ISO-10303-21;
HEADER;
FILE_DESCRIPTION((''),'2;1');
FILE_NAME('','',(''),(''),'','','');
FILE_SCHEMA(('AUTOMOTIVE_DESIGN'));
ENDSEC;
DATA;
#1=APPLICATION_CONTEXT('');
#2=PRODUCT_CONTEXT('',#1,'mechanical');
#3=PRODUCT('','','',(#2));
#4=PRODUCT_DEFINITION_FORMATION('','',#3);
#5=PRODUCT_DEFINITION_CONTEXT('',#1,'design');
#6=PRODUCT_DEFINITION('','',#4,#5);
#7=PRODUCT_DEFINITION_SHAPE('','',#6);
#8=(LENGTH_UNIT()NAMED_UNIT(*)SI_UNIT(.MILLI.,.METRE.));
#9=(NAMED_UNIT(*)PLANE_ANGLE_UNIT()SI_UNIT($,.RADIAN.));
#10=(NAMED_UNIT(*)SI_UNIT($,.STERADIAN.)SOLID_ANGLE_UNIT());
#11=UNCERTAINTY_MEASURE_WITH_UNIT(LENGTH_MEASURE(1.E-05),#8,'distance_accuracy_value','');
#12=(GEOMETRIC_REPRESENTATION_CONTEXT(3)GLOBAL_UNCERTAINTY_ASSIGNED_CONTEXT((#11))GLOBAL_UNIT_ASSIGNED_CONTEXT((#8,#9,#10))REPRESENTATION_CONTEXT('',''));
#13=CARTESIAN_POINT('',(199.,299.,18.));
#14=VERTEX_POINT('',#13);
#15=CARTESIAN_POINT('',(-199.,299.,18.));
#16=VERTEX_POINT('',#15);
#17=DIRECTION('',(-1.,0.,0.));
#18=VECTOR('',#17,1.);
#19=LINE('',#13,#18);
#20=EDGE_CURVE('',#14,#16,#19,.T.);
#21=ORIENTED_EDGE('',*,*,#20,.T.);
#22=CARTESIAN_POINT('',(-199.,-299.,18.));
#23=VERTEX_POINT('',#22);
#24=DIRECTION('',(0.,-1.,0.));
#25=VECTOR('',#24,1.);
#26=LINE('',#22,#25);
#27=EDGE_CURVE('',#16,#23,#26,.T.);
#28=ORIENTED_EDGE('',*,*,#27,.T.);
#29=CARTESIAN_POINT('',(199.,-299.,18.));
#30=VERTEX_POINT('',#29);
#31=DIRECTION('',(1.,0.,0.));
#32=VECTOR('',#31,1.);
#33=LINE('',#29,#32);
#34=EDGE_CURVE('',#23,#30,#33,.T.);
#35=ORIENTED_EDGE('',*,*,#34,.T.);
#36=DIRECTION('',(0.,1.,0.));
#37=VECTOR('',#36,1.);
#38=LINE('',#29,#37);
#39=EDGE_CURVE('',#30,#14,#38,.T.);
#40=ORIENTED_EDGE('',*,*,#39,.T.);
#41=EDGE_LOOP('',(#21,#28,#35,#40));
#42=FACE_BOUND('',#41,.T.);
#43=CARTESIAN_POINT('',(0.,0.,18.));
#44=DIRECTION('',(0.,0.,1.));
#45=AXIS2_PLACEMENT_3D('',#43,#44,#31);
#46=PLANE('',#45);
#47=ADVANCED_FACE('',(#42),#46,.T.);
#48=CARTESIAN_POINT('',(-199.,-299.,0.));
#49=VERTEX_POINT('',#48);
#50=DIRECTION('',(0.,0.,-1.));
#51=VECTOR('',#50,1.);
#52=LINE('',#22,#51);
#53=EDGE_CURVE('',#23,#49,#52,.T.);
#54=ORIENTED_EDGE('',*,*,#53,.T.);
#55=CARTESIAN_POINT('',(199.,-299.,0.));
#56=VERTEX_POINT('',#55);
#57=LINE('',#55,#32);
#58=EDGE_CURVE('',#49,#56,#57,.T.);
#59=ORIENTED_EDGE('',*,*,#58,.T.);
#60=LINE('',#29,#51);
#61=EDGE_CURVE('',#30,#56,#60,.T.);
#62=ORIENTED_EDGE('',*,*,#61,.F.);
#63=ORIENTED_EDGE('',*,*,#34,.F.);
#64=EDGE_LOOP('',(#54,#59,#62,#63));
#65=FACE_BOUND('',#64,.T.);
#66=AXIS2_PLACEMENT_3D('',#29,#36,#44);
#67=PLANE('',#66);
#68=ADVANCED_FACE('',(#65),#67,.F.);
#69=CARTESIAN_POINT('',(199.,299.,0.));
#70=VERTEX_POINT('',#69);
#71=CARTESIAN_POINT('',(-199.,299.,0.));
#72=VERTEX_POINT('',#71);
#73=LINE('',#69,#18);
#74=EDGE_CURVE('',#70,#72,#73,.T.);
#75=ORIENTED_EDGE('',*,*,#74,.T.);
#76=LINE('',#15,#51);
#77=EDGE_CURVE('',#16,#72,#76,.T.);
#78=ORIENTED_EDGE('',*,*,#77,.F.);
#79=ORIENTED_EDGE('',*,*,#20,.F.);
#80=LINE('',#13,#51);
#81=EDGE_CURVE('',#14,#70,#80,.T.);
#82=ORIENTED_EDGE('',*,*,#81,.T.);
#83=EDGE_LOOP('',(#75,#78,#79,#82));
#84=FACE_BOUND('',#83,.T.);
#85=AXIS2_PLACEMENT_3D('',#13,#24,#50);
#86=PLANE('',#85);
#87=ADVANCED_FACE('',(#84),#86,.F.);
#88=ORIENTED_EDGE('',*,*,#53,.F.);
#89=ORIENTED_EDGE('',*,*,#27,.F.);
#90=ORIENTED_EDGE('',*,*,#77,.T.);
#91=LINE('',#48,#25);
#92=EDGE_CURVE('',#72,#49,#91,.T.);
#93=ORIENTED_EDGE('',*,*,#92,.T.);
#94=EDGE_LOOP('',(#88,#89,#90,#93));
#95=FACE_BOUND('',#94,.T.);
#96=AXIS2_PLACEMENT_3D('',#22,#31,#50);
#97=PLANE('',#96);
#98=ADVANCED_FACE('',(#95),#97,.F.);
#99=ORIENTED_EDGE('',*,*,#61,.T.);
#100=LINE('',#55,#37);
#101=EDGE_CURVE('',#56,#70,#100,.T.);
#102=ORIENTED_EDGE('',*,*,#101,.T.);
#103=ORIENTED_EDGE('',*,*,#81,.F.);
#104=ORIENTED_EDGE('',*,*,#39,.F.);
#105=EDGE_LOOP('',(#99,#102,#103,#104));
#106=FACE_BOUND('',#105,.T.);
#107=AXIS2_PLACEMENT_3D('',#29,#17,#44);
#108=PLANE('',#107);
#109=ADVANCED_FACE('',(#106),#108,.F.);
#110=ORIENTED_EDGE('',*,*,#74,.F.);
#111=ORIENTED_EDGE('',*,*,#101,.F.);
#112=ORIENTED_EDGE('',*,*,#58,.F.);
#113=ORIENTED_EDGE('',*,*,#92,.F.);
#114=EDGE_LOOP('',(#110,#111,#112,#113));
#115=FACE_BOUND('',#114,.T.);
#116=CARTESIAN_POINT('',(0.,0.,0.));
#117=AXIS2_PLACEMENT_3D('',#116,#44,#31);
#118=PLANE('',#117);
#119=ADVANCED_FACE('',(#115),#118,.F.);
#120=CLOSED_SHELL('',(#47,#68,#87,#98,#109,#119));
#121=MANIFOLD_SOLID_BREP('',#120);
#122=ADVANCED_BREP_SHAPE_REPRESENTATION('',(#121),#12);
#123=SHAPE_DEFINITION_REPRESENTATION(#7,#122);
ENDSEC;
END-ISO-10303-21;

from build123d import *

# Parameters (mm, degrees)
SKETCH1_W           = 398
SKETCH1_H           = 598
BOSS_EXTRUDE1_DEPTH = 18


with BuildPart() as part:
    # Sketch1 → Boss-Extrude1 (new body)
    with BuildSketch(Plane.XY):
        Rectangle(SKETCH1_W, SKETCH1_H)
    extrude(amount=BOSS_EXTRUDE1_DEPTH)


solid = part.part
